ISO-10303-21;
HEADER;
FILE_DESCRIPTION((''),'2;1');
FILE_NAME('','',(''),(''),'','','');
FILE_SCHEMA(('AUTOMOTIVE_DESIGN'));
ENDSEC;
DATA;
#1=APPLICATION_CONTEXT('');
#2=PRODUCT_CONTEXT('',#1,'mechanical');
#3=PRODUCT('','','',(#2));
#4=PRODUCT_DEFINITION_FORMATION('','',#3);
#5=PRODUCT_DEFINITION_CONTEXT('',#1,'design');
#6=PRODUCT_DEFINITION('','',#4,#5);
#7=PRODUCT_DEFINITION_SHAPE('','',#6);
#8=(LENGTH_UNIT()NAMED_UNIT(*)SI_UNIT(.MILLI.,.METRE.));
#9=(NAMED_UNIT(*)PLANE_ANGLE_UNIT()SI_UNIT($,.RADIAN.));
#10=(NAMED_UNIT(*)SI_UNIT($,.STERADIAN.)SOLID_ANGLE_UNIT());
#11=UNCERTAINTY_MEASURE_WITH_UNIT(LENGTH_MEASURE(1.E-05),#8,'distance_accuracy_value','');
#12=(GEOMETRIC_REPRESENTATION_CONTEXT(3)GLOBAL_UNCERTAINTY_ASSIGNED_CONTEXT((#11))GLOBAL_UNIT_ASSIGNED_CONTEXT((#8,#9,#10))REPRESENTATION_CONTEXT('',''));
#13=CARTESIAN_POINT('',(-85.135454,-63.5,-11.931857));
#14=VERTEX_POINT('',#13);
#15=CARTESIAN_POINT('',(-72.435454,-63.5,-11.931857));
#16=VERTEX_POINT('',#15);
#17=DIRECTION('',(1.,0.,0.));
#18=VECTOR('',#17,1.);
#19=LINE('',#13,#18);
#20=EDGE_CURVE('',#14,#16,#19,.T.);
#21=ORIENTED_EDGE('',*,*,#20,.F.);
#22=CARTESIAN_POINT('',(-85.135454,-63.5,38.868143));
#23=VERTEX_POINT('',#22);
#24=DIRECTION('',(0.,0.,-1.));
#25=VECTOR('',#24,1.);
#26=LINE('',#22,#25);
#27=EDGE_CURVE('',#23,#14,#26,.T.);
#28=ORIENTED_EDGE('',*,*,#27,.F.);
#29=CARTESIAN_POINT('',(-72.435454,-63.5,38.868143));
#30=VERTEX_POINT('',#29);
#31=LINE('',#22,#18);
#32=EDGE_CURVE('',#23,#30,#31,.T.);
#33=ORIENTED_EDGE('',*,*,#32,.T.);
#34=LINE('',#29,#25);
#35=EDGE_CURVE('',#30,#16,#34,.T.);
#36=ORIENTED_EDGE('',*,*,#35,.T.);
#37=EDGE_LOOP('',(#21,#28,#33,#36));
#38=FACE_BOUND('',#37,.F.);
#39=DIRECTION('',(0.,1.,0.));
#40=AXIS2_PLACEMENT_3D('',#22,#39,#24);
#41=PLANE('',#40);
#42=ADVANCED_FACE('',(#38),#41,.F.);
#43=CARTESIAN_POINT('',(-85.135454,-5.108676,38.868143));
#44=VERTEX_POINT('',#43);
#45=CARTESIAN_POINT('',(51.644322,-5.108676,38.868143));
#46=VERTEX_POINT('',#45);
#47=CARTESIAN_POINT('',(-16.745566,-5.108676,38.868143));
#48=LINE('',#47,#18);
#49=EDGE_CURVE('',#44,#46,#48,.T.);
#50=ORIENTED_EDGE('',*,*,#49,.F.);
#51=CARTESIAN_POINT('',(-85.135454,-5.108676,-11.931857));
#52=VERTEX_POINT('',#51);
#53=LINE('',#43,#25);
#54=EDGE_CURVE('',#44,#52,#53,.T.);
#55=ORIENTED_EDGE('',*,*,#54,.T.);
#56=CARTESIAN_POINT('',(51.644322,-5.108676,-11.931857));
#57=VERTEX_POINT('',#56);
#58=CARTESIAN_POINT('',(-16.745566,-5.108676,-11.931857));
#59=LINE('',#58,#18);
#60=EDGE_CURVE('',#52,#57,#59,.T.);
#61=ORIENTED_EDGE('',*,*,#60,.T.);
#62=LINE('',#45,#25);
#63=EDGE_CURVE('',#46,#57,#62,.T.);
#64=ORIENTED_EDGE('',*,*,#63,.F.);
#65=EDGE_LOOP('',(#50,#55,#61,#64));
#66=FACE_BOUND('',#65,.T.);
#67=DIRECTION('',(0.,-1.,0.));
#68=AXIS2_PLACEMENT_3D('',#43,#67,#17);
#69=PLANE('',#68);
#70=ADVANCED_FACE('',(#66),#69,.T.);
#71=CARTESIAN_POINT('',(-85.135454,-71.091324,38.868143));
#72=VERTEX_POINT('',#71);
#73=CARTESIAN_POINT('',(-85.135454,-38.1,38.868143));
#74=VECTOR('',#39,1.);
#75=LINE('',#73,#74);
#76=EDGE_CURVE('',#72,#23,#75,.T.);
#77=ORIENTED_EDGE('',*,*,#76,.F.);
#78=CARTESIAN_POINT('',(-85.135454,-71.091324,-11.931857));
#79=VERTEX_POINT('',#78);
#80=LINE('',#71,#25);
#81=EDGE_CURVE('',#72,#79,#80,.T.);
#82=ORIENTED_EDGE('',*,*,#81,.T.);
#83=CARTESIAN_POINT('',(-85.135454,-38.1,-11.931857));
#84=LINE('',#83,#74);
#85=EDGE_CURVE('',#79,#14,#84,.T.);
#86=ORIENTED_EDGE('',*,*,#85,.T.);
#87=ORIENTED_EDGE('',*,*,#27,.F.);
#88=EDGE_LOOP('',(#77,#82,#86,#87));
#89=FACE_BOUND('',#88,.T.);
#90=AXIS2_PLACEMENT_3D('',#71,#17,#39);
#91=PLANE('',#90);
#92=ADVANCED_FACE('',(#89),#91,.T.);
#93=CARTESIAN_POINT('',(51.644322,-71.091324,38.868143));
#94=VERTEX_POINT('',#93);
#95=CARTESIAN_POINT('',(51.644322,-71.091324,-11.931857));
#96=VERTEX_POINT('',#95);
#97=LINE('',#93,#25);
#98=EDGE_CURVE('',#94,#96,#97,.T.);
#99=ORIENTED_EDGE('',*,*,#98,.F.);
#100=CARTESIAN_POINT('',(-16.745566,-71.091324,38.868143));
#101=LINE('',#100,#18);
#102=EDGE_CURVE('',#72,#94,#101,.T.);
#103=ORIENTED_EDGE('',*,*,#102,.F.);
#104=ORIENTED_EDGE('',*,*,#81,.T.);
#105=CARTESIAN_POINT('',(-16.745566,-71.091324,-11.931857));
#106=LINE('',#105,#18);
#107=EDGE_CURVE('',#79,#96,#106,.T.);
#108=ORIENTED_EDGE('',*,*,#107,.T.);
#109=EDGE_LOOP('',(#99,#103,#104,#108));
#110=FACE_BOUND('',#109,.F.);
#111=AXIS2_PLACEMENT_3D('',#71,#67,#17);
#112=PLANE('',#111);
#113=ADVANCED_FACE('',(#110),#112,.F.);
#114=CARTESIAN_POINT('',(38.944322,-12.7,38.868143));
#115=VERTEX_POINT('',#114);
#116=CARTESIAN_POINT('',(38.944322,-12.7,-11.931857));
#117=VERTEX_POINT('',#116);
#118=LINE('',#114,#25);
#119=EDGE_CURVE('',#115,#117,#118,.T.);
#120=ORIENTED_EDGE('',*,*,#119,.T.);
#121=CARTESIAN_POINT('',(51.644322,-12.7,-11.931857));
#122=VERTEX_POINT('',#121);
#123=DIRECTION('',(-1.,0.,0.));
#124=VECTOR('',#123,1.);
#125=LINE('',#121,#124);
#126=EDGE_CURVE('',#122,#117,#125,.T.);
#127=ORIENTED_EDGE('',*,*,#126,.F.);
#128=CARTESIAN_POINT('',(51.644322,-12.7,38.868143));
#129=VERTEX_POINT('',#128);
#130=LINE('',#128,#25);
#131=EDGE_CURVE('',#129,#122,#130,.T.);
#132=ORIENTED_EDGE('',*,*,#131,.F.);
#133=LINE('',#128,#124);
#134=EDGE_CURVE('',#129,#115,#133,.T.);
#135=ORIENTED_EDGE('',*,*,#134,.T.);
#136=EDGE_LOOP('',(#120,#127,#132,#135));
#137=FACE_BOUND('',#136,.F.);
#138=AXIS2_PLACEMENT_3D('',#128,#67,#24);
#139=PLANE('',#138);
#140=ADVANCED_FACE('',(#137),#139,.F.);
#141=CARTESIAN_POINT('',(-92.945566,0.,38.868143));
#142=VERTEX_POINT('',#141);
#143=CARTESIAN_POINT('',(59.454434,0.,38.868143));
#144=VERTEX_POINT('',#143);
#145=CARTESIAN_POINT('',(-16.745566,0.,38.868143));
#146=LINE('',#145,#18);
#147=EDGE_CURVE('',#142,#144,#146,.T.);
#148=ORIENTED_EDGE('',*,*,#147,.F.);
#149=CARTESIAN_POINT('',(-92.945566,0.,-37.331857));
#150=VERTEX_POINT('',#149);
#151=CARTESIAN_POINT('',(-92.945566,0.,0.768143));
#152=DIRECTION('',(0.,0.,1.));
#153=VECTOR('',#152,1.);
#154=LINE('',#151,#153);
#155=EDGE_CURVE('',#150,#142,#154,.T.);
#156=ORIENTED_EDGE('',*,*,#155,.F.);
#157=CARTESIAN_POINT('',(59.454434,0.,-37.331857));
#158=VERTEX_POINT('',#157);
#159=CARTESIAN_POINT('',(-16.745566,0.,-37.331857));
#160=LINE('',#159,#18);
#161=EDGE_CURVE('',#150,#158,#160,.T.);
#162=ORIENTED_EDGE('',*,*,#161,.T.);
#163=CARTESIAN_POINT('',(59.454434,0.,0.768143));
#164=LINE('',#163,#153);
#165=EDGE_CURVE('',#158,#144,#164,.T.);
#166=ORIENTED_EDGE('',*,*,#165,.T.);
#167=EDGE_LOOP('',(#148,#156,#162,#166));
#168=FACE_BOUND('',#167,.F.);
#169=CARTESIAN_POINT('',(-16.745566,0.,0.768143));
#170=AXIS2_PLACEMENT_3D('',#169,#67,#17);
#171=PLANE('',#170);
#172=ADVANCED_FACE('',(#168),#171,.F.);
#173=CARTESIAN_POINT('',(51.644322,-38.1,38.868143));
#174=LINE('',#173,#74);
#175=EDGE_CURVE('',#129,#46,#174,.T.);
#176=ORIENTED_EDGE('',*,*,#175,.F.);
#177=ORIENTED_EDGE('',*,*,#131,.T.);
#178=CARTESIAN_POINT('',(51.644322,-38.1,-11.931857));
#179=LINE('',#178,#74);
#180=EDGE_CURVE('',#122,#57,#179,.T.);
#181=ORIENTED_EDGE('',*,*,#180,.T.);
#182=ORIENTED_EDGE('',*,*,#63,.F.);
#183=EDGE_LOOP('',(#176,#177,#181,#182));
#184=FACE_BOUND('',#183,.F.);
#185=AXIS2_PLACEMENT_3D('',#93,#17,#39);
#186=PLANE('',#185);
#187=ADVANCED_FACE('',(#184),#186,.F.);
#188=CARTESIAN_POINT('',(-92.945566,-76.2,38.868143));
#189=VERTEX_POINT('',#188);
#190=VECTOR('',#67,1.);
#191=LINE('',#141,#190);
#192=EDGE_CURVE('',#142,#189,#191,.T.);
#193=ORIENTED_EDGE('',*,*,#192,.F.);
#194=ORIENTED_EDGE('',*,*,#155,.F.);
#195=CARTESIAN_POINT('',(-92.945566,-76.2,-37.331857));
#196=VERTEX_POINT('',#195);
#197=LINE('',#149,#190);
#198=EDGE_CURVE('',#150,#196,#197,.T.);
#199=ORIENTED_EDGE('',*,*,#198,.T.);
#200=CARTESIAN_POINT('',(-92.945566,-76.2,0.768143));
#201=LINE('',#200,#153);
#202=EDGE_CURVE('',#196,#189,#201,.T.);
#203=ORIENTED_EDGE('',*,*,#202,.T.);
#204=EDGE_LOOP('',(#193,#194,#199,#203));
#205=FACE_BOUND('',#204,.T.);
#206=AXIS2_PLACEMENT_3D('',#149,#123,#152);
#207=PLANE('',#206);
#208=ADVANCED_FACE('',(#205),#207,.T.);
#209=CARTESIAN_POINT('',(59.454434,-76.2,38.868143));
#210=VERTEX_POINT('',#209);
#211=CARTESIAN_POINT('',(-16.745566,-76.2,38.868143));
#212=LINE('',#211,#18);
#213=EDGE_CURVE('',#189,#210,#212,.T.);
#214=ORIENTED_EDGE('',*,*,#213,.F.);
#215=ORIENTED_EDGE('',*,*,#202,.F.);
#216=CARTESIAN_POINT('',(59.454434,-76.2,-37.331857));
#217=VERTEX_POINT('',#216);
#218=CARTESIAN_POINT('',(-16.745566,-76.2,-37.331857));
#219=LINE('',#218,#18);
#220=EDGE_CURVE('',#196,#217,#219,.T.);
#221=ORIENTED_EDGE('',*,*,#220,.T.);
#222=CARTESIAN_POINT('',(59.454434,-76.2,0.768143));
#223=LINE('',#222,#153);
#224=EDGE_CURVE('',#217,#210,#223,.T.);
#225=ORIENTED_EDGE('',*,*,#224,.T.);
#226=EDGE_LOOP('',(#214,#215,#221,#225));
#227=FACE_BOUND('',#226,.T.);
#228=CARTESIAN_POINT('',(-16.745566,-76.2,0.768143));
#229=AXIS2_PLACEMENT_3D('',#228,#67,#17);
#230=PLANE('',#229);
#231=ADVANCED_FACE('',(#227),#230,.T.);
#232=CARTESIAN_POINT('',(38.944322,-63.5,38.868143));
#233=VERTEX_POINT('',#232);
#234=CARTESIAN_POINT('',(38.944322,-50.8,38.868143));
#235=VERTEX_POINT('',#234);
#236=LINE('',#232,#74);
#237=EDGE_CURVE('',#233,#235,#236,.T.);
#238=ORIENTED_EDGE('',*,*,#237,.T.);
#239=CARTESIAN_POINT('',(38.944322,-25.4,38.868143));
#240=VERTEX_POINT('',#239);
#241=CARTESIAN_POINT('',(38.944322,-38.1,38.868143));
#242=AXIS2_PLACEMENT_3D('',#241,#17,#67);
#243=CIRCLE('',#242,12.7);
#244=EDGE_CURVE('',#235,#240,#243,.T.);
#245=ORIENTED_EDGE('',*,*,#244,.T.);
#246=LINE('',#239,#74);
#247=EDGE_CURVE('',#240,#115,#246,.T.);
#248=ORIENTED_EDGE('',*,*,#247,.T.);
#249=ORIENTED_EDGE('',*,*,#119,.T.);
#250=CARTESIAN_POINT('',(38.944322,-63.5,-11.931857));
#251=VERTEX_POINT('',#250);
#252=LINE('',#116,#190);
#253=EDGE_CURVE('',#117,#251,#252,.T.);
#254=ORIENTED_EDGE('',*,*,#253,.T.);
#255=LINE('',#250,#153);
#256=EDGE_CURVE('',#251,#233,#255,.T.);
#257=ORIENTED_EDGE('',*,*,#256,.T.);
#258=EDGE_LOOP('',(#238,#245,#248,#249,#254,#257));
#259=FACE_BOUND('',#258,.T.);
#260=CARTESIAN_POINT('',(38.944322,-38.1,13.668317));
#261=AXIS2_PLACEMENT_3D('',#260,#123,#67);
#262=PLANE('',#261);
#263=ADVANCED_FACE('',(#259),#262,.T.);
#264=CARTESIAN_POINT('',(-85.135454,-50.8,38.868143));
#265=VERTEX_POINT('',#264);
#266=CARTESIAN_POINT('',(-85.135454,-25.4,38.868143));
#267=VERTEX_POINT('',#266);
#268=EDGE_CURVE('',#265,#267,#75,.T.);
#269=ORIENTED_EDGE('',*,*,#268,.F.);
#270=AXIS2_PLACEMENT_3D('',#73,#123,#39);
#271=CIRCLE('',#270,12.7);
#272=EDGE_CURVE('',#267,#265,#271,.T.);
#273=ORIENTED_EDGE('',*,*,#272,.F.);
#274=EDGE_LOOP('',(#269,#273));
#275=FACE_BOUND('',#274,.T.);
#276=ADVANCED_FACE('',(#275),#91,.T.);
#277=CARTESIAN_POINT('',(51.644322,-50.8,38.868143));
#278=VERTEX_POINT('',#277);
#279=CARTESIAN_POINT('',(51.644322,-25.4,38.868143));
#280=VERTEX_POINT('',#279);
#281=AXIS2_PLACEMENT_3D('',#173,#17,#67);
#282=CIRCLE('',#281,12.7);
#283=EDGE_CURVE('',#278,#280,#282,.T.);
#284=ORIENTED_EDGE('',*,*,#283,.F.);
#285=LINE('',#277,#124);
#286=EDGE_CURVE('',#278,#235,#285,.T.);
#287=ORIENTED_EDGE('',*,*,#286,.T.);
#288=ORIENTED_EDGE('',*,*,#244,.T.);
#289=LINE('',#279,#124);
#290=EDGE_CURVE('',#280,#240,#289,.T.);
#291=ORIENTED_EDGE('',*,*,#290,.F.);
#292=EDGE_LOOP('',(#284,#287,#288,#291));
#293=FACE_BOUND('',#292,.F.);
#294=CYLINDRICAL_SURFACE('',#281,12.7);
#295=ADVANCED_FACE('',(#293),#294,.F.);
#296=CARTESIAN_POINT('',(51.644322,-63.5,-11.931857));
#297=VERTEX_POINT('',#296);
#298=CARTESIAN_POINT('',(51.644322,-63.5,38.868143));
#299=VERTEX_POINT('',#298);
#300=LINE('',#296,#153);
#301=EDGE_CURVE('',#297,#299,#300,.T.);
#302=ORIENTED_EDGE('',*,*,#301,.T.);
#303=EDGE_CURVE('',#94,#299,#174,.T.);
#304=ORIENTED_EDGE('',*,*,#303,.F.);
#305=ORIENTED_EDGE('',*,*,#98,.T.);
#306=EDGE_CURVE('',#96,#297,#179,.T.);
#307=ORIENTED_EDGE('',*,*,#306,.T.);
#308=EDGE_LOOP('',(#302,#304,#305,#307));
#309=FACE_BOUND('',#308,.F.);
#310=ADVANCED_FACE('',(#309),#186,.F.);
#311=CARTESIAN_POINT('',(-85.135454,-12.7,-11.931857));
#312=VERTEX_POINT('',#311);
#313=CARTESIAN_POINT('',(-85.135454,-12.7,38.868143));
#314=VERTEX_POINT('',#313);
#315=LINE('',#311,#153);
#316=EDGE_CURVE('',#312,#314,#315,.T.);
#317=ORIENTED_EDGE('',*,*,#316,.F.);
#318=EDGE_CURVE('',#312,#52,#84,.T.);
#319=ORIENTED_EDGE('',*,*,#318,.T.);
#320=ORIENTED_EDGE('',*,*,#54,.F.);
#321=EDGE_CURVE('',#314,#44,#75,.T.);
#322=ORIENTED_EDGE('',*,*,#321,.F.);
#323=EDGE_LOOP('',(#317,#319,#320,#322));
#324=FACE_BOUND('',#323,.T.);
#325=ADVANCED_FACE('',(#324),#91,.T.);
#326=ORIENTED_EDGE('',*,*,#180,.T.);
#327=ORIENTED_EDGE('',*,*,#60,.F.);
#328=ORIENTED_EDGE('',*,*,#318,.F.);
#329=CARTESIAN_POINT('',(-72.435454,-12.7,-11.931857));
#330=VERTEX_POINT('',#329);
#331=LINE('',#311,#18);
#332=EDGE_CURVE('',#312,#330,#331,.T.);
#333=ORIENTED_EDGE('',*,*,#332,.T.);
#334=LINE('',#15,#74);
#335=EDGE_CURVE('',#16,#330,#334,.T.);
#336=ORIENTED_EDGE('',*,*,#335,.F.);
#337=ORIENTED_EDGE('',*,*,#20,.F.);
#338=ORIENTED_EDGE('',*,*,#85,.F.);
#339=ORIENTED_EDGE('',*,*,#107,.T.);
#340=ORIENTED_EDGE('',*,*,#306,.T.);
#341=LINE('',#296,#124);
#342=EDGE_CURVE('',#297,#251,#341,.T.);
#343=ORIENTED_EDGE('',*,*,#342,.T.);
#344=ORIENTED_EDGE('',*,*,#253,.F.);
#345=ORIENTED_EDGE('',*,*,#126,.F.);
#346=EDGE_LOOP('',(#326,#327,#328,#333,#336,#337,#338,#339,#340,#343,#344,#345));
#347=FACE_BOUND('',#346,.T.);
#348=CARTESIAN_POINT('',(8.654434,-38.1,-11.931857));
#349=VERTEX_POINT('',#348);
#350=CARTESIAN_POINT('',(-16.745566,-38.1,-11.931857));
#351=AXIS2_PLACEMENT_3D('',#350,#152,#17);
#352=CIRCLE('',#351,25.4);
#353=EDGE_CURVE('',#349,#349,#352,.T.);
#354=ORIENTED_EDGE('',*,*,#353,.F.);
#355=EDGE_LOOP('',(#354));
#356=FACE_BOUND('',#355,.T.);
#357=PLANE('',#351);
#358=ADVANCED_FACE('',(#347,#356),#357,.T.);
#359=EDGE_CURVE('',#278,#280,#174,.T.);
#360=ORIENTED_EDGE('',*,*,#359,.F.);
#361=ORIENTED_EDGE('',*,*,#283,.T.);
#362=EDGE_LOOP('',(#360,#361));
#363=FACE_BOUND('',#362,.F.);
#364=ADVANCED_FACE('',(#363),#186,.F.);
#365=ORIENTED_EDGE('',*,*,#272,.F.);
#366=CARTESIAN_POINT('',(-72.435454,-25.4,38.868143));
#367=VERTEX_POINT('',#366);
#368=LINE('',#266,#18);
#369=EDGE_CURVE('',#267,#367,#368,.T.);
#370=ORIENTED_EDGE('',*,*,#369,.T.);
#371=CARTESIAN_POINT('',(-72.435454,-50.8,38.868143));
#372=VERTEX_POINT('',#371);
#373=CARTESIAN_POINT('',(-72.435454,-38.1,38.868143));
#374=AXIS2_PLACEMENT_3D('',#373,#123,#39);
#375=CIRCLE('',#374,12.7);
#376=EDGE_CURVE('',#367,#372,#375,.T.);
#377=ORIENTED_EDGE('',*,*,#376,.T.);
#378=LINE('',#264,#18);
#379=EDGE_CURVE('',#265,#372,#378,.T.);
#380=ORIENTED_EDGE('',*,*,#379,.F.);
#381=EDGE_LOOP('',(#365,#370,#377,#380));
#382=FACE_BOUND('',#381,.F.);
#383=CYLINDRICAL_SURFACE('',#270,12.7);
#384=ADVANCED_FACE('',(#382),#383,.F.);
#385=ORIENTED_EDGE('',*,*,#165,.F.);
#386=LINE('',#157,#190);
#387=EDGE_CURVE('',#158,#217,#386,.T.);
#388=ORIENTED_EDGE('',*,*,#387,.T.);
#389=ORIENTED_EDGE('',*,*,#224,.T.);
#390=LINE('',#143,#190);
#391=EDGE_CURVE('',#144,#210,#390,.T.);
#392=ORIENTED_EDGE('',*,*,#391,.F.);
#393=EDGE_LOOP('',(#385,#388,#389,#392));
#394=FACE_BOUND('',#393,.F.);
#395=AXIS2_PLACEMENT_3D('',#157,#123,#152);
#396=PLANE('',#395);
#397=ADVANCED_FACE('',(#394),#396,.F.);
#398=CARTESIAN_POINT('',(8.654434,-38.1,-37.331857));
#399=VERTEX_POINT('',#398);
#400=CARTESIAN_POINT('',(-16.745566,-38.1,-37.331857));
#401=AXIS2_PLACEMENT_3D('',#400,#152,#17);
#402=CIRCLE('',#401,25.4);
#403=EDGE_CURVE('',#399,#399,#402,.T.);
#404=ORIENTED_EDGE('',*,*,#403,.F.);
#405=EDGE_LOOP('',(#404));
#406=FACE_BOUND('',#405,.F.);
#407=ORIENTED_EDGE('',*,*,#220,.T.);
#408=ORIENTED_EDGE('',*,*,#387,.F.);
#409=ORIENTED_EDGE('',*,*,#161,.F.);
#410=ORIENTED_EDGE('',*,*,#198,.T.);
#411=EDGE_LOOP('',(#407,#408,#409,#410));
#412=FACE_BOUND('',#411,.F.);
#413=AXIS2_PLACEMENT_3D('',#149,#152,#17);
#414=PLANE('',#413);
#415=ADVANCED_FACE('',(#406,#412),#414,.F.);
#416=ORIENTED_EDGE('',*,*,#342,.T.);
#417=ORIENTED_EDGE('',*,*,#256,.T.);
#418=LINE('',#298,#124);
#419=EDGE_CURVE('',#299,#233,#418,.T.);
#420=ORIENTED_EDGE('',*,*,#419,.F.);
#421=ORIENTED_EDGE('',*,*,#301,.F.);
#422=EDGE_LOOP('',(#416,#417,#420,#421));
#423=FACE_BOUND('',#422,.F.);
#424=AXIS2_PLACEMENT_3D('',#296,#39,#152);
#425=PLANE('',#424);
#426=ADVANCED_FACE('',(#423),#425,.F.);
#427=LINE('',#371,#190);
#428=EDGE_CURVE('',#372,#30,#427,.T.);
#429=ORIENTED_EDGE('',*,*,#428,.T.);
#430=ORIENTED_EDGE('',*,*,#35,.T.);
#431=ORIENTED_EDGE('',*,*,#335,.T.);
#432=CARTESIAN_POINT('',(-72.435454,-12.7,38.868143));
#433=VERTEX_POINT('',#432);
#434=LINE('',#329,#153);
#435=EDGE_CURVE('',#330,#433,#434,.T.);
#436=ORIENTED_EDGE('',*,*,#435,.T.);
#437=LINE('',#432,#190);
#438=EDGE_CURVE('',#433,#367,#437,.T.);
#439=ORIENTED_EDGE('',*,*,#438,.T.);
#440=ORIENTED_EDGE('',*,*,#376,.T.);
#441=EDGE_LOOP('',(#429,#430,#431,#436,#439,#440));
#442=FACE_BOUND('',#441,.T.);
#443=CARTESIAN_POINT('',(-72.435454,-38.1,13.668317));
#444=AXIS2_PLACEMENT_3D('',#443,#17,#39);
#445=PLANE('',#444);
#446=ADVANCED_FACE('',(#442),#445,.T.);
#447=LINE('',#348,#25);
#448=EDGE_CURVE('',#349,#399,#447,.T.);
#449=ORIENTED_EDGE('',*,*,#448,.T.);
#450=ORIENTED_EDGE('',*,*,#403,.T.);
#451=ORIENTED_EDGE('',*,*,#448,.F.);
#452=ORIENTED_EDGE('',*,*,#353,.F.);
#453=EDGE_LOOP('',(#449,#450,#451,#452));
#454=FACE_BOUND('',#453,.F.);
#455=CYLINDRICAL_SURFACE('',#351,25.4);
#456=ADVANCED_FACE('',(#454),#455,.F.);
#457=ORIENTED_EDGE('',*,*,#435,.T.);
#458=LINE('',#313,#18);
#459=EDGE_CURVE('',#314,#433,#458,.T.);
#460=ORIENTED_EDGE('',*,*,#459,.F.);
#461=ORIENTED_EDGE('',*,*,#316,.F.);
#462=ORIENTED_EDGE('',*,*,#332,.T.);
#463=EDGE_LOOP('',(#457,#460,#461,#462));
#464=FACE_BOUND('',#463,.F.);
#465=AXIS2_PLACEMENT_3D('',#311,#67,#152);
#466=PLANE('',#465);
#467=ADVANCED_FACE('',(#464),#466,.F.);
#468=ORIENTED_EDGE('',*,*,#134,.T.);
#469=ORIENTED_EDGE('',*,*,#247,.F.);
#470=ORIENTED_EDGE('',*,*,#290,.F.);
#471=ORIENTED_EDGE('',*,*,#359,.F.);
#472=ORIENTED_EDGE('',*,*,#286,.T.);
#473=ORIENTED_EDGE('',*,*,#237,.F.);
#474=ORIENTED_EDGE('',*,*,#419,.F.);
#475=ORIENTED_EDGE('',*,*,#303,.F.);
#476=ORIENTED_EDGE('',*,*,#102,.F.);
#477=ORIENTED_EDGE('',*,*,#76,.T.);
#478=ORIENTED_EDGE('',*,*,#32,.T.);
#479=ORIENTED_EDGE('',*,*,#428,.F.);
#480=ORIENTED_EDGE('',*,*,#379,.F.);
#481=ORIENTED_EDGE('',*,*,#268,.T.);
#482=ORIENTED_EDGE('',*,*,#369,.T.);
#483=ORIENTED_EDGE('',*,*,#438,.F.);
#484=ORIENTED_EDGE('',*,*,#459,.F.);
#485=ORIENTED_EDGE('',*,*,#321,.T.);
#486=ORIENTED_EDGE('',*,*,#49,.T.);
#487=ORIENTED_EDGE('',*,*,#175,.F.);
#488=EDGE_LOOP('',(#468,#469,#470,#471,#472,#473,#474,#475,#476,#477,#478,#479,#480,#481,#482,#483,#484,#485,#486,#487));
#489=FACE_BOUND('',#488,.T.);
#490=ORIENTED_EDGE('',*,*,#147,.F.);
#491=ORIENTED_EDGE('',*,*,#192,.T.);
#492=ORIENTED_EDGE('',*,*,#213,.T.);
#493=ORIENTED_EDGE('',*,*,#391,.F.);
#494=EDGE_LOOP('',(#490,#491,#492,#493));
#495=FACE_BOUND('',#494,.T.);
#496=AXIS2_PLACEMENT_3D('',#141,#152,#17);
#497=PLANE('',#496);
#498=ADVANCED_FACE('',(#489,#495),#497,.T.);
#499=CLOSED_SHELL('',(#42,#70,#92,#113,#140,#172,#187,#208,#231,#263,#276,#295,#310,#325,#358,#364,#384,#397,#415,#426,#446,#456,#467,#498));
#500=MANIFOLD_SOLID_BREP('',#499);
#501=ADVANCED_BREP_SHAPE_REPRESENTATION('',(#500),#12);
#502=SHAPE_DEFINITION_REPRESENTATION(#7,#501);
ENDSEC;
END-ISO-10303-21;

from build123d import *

# Parameters (mm, degrees)
F0_W     = 152.4
F0_H     = 76.2
F1_DEPTH = 76.2
F2_W     = 136.779776
F2_H     = 65.982648
F3_DEPTH = 50.8
F5_DEPTH = 12.7
F7_DEPTH = 12.7
F8_R     = 25.4
F9_DEPTH = 66.04


with BuildPart() as f1:
    # F0 (on Front) → F1 (new body)
    with BuildSketch(Plane.XZ):
        with Locations((-16.745566, 0.768143)):
            Rectangle(F0_W, F0_H)
    extrude(amount=F1_DEPTH)

    # F2 (on face) → F3 (cut)
    with BuildSketch(Plane.XY.offset(38.868143)):
        with Locations((-16.745566, -38.1)):
            Rectangle(F2_W, F2_H)
    extrude(amount=-F3_DEPTH, mode=Mode.SUBTRACT)

    # F4 (on face) → F5 (join)
    with BuildSketch(Plane.YZ.offset(-85.135454)):
        with BuildLine():
            ThreePointArc((-25.4, 38.868143), (-38.1, 26.168143), (-50.8, 38.868143))
            Line((-50.8, 38.868143), (-63.5, 38.868143))
            Line((-63.5, 38.868143), (-63.5, -11.931857))
            Line((-63.5, -11.931857), (-12.7, -11.931857))
            Line((-12.7, -11.931857), (-12.7, 38.868143))
            Line((-12.7, 38.868143), (-25.4, 38.868143))
        make_face()
    extrude(amount=F5_DEPTH)

    # F6 (on face) → F7 (join)
    with BuildSketch(Plane(origin=(51.644322, 0, 0), x_dir=(0, -1, 0), z_dir=(-1, 0, 0))):
        with BuildLine():
            ThreePointArc((50.8, 38.868143), (38.1, 26.168143), (25.4, 38.868143))
            Line((25.4, 38.868143), (12.7, 38.868143))
            Line((12.7, 38.868143), (12.7, -11.931857))
            Line((12.7, -11.931857), (63.5, -11.931857))
            Line((63.5, -11.931857), (63.5, 38.868143))
            Line((63.5, 38.868143), (50.8, 38.868143))
        make_face()
    extrude(amount=F7_DEPTH)

    # F8 (on face) → F9 (cut)
    with BuildSketch(Plane.XY.offset(-11.931857)):
        with Locations((-16.745566, -38.1)):
            Circle(F8_R)
    extrude(amount=-F9_DEPTH, mode=Mode.SUBTRACT)


solid = f1.part
